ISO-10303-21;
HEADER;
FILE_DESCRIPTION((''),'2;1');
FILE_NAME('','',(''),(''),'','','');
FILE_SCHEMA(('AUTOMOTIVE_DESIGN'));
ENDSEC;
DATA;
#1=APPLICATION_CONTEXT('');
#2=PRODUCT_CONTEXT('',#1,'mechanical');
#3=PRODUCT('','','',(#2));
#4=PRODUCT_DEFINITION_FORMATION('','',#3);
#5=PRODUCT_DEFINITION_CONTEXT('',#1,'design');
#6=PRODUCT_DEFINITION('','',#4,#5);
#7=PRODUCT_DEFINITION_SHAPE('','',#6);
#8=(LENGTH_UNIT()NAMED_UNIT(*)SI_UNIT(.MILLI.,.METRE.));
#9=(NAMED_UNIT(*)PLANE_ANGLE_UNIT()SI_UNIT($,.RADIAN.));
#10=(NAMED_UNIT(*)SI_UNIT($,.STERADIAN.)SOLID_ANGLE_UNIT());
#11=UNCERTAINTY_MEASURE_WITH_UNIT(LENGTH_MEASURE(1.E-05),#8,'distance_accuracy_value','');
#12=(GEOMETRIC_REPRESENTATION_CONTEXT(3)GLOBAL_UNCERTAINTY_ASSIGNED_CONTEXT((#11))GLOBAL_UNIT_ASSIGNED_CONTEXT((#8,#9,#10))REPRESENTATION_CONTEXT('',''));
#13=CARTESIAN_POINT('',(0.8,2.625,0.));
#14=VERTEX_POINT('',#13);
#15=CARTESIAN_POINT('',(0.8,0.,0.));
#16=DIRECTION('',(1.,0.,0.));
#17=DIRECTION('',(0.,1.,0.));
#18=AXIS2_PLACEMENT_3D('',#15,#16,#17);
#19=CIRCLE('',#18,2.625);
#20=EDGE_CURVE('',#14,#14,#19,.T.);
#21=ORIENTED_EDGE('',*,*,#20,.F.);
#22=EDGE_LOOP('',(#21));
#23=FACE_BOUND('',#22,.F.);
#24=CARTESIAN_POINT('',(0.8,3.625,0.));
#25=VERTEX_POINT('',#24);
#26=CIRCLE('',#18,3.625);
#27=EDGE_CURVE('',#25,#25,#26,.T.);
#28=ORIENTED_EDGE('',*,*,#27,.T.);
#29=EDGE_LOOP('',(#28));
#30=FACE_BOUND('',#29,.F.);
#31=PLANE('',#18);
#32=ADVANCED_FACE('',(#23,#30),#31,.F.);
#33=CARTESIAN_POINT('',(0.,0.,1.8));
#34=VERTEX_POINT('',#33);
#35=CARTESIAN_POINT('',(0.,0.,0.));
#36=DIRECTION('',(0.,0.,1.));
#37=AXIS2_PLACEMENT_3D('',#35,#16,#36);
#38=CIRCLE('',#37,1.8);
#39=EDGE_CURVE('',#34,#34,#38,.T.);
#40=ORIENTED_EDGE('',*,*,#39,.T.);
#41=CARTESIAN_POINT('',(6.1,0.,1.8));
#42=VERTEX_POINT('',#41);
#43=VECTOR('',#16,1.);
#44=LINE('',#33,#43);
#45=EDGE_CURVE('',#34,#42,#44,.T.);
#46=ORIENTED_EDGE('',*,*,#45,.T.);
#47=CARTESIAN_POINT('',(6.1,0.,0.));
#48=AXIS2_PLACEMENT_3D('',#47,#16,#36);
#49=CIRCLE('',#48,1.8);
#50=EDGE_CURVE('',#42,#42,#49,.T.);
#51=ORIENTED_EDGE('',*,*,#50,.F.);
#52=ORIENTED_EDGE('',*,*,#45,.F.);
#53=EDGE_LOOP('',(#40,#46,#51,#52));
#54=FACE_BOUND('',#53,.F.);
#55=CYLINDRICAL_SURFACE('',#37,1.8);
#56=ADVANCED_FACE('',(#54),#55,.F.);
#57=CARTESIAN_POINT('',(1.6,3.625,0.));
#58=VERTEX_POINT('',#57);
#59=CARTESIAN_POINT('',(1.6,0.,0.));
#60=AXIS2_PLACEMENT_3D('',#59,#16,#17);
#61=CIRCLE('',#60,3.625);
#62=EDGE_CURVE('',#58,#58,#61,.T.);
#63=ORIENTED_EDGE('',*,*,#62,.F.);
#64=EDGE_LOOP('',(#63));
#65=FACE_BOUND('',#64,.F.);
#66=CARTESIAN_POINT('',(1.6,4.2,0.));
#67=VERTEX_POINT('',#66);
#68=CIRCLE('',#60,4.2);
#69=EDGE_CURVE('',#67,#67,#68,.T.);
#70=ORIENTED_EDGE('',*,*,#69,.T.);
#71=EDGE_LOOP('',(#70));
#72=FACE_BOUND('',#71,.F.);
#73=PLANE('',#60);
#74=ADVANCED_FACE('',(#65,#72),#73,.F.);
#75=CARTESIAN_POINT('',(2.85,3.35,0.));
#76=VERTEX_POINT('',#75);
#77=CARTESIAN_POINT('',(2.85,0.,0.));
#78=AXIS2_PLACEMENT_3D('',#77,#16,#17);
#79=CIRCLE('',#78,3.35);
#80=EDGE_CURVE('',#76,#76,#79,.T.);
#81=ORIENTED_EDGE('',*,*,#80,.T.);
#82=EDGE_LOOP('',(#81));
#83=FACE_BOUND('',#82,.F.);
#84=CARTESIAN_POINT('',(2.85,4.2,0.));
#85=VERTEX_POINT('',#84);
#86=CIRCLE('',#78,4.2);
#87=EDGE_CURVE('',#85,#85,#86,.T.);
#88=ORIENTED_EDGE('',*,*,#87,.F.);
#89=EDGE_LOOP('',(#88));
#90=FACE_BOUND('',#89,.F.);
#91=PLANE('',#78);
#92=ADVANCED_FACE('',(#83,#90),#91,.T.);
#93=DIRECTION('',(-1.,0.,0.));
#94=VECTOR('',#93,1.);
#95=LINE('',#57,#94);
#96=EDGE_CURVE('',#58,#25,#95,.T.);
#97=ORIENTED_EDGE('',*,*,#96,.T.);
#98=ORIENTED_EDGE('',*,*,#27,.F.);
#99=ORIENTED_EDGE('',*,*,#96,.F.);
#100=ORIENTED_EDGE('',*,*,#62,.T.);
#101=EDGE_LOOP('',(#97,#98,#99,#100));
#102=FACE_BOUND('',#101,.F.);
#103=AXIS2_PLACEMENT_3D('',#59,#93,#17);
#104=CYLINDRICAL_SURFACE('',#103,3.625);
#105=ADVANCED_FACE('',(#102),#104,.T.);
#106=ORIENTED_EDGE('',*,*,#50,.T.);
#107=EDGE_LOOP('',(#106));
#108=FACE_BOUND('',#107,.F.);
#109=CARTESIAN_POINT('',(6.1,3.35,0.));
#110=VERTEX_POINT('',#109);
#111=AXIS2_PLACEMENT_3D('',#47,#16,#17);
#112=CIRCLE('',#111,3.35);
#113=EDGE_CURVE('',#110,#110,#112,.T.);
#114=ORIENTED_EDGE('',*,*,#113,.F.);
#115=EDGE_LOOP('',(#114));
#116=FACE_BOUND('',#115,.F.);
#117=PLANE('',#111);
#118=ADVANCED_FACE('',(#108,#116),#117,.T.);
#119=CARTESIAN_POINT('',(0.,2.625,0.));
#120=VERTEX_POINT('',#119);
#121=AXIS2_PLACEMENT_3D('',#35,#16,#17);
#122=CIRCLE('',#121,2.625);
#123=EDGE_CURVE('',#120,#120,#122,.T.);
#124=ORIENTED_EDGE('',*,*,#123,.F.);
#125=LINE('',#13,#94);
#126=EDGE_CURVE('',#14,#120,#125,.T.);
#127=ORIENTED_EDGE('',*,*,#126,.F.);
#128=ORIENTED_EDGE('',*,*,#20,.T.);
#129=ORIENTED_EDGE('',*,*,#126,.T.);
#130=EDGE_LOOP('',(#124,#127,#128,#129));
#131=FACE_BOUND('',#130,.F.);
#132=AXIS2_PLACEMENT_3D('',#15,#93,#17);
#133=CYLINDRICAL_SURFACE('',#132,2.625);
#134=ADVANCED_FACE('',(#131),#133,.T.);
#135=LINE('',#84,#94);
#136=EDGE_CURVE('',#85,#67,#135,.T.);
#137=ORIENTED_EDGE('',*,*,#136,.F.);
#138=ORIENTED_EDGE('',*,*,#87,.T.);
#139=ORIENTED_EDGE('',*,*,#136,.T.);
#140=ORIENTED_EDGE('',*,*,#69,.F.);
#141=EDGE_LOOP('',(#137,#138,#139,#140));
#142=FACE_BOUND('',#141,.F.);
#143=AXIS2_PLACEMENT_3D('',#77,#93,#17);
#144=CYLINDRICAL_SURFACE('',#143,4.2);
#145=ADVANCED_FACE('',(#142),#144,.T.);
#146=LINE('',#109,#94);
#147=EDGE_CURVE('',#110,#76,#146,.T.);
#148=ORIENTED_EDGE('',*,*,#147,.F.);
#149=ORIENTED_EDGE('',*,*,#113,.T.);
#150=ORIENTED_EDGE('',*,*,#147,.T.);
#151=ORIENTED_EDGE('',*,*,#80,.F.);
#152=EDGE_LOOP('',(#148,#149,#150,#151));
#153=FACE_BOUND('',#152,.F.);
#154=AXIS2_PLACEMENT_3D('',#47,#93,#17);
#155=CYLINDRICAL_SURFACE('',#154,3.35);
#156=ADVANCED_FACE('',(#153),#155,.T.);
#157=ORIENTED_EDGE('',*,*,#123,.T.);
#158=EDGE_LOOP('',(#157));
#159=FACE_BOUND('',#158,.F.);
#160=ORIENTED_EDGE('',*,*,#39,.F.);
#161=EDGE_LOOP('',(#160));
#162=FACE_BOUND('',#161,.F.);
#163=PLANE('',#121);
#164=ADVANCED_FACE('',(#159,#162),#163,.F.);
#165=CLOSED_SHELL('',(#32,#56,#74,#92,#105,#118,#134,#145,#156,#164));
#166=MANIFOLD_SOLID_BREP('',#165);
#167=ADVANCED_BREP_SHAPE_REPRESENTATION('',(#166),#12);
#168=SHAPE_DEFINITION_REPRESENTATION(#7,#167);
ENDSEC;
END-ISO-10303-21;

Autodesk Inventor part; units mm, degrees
ref_plane "YZ Plane" through (0, 0, 0) normal (1, 0, 0) x (0, 1, 0)
ref_plane "XZ Plane" through (0, 0, 0) normal (0, 1, 0) x (-1, 0, 0)
ref_plane "XY Plane" through (0, 0, 0) normal (0, 0, 1) x (1, 0, 0)
sketch "Sketch1" plane through (0, 0, 0) normal (0, 0, 1) x (1, 0, 0)
  line L0 (0, 0) -> (0.8, 0)
  line L1 (0.8, 0) -> (0.8, 2.625)
  line L2 (0.8, 2.625) -> (0, 2.625)
  line L3 (0, 2.625) -> (0, 0)
  line L4 (0.8, 0) -> (1.6, 0)
  line L5 (1.6, 0) -> (1.6, 3.625)
  line L6 (1.6, 3.625) -> (0.8, 3.625)
  line L7 (0.8, 3.625) -> (0.8, 0)
  line L8 (1.6, 0) -> (2.85, 0)
  line L9 (2.85, 0) -> (2.85, 4.2)
  line L10 (2.85, 4.2) -> (1.6, 4.2)
  line L11 (1.6, 4.2) -> (1.6, 0)
  line L12 (2.85, 0) -> (6.1, 0)
  line L13 (6.1, 0) -> (6.1, 3.35)
  line L14 (6.1, 3.35) -> (2.85, 3.35)
  line L15 (2.85, 3.35) -> (2.85, 0)
  dimension "d0" = 5.25
  dimension "d1" = 7.25
  dimension "d2" = 8.4
  dimension "d3" = 6.7
  dimension "d4" = 0.8
  dimension "d7" = 1.6
  dimension "d8" = 2.85
  dimension "d9" = 6.1
revolve "Revolution1" add sketch "Sketch1" angle 360 about axis through (0, 0, 0) along (1, 0, 0)
hole "Hole1" at (0, 0, 0) direction (1, 0, 0) diameter 3.6 end through all
properties part number "308-14" material "Polypropylene"
